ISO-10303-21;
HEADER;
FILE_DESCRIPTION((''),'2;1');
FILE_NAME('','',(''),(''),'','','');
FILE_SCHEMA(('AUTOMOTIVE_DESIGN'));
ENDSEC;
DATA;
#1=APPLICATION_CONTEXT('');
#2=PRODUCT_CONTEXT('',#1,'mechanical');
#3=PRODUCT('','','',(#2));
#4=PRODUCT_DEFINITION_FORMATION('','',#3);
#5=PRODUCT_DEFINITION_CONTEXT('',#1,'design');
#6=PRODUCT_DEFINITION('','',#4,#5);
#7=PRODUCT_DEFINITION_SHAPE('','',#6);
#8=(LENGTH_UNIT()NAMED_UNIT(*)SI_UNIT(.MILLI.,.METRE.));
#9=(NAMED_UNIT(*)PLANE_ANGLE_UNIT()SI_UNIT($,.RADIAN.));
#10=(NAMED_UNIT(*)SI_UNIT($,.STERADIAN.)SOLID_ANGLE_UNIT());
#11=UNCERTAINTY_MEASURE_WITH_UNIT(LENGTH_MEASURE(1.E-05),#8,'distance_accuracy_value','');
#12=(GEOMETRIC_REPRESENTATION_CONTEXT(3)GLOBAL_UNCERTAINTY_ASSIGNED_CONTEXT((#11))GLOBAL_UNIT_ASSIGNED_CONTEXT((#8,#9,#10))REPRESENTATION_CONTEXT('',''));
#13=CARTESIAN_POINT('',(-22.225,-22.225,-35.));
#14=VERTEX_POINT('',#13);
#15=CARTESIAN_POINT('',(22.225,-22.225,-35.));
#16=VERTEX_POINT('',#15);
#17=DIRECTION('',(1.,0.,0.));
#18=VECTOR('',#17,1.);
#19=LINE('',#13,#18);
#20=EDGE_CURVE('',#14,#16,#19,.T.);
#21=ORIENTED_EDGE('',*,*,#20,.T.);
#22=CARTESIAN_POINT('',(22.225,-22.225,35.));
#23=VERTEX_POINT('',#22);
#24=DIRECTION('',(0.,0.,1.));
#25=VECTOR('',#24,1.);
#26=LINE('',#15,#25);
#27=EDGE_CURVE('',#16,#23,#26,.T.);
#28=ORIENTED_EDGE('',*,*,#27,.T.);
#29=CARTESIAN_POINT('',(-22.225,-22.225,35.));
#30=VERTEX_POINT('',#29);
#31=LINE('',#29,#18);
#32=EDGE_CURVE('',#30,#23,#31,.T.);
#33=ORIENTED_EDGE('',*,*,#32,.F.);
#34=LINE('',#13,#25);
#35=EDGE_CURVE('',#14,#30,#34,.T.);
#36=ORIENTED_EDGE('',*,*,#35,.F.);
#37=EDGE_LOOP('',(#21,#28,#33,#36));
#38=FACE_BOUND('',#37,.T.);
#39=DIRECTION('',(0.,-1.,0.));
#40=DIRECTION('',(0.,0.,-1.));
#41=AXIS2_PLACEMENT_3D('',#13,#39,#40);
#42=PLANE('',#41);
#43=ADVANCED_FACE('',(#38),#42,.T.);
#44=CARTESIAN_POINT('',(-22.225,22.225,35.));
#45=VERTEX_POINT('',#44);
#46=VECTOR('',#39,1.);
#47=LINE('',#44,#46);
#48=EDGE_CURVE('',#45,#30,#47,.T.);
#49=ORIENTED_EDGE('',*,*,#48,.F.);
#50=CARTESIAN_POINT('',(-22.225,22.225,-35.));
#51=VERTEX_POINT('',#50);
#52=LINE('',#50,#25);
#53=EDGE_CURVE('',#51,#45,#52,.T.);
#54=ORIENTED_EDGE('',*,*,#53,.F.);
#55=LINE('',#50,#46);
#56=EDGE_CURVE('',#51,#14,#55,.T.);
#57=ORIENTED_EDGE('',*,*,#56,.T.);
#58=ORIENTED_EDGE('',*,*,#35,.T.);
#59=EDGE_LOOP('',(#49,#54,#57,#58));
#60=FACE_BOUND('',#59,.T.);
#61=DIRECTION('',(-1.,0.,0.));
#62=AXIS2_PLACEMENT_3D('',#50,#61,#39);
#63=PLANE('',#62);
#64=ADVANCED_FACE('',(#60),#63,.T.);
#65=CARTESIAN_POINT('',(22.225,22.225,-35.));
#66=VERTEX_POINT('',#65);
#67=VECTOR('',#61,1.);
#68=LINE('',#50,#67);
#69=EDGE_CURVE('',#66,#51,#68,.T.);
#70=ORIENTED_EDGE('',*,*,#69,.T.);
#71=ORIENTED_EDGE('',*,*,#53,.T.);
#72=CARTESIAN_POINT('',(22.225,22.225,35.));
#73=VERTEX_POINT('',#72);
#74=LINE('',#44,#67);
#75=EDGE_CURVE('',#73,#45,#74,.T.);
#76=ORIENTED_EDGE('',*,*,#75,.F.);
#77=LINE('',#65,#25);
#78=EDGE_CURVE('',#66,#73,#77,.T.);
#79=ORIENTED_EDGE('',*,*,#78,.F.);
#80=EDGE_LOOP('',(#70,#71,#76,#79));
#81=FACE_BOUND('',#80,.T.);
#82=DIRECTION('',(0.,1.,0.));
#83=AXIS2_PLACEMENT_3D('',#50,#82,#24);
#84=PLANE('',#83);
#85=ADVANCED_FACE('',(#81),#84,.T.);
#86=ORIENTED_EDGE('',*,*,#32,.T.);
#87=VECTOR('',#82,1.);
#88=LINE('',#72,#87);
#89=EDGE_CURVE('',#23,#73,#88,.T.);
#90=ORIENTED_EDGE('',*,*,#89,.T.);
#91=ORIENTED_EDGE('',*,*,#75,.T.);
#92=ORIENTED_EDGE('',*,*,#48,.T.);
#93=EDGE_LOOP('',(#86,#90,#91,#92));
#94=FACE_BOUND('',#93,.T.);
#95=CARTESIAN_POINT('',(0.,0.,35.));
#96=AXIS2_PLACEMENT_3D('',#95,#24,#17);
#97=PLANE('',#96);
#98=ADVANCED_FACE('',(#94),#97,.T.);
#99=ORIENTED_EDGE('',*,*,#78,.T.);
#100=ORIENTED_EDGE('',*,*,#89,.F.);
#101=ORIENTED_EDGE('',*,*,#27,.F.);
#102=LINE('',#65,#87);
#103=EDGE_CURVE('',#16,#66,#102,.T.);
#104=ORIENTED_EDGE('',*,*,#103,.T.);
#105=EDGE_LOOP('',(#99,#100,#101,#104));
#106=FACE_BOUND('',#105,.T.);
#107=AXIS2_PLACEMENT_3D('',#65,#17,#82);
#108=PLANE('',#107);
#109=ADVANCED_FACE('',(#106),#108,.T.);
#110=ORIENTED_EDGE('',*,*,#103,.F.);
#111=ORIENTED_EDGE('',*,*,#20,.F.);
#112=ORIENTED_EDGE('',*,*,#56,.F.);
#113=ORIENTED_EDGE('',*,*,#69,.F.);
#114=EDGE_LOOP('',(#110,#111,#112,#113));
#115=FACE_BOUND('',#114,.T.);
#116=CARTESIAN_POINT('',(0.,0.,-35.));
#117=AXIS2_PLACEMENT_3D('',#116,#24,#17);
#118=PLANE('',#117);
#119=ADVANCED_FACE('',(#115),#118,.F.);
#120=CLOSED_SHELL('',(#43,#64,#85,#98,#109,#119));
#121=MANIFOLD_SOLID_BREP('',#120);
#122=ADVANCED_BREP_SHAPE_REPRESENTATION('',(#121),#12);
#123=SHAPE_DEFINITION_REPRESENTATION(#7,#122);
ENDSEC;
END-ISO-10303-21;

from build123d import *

# Parameters (mm, degrees)
BOSS_EXTRUDE1_DEPTH      = 35
BOSS_EXTRUDE1_DEPTH_BACK = 35
SKETCH1_W                = 44.45
SKETCH1_H                = 44.45


with BuildPart() as part:
    # Sketch1 → Boss-Extrude1 (new, two sides: drawn at the far end of the back side and taken through both)
    with BuildSketch(Plane.XY.offset(-BOSS_EXTRUDE1_DEPTH_BACK)):
        Rectangle(SKETCH1_W, SKETCH1_H)
    extrude(amount=BOSS_EXTRUDE1_DEPTH + BOSS_EXTRUDE1_DEPTH_BACK)


solid = part.part
